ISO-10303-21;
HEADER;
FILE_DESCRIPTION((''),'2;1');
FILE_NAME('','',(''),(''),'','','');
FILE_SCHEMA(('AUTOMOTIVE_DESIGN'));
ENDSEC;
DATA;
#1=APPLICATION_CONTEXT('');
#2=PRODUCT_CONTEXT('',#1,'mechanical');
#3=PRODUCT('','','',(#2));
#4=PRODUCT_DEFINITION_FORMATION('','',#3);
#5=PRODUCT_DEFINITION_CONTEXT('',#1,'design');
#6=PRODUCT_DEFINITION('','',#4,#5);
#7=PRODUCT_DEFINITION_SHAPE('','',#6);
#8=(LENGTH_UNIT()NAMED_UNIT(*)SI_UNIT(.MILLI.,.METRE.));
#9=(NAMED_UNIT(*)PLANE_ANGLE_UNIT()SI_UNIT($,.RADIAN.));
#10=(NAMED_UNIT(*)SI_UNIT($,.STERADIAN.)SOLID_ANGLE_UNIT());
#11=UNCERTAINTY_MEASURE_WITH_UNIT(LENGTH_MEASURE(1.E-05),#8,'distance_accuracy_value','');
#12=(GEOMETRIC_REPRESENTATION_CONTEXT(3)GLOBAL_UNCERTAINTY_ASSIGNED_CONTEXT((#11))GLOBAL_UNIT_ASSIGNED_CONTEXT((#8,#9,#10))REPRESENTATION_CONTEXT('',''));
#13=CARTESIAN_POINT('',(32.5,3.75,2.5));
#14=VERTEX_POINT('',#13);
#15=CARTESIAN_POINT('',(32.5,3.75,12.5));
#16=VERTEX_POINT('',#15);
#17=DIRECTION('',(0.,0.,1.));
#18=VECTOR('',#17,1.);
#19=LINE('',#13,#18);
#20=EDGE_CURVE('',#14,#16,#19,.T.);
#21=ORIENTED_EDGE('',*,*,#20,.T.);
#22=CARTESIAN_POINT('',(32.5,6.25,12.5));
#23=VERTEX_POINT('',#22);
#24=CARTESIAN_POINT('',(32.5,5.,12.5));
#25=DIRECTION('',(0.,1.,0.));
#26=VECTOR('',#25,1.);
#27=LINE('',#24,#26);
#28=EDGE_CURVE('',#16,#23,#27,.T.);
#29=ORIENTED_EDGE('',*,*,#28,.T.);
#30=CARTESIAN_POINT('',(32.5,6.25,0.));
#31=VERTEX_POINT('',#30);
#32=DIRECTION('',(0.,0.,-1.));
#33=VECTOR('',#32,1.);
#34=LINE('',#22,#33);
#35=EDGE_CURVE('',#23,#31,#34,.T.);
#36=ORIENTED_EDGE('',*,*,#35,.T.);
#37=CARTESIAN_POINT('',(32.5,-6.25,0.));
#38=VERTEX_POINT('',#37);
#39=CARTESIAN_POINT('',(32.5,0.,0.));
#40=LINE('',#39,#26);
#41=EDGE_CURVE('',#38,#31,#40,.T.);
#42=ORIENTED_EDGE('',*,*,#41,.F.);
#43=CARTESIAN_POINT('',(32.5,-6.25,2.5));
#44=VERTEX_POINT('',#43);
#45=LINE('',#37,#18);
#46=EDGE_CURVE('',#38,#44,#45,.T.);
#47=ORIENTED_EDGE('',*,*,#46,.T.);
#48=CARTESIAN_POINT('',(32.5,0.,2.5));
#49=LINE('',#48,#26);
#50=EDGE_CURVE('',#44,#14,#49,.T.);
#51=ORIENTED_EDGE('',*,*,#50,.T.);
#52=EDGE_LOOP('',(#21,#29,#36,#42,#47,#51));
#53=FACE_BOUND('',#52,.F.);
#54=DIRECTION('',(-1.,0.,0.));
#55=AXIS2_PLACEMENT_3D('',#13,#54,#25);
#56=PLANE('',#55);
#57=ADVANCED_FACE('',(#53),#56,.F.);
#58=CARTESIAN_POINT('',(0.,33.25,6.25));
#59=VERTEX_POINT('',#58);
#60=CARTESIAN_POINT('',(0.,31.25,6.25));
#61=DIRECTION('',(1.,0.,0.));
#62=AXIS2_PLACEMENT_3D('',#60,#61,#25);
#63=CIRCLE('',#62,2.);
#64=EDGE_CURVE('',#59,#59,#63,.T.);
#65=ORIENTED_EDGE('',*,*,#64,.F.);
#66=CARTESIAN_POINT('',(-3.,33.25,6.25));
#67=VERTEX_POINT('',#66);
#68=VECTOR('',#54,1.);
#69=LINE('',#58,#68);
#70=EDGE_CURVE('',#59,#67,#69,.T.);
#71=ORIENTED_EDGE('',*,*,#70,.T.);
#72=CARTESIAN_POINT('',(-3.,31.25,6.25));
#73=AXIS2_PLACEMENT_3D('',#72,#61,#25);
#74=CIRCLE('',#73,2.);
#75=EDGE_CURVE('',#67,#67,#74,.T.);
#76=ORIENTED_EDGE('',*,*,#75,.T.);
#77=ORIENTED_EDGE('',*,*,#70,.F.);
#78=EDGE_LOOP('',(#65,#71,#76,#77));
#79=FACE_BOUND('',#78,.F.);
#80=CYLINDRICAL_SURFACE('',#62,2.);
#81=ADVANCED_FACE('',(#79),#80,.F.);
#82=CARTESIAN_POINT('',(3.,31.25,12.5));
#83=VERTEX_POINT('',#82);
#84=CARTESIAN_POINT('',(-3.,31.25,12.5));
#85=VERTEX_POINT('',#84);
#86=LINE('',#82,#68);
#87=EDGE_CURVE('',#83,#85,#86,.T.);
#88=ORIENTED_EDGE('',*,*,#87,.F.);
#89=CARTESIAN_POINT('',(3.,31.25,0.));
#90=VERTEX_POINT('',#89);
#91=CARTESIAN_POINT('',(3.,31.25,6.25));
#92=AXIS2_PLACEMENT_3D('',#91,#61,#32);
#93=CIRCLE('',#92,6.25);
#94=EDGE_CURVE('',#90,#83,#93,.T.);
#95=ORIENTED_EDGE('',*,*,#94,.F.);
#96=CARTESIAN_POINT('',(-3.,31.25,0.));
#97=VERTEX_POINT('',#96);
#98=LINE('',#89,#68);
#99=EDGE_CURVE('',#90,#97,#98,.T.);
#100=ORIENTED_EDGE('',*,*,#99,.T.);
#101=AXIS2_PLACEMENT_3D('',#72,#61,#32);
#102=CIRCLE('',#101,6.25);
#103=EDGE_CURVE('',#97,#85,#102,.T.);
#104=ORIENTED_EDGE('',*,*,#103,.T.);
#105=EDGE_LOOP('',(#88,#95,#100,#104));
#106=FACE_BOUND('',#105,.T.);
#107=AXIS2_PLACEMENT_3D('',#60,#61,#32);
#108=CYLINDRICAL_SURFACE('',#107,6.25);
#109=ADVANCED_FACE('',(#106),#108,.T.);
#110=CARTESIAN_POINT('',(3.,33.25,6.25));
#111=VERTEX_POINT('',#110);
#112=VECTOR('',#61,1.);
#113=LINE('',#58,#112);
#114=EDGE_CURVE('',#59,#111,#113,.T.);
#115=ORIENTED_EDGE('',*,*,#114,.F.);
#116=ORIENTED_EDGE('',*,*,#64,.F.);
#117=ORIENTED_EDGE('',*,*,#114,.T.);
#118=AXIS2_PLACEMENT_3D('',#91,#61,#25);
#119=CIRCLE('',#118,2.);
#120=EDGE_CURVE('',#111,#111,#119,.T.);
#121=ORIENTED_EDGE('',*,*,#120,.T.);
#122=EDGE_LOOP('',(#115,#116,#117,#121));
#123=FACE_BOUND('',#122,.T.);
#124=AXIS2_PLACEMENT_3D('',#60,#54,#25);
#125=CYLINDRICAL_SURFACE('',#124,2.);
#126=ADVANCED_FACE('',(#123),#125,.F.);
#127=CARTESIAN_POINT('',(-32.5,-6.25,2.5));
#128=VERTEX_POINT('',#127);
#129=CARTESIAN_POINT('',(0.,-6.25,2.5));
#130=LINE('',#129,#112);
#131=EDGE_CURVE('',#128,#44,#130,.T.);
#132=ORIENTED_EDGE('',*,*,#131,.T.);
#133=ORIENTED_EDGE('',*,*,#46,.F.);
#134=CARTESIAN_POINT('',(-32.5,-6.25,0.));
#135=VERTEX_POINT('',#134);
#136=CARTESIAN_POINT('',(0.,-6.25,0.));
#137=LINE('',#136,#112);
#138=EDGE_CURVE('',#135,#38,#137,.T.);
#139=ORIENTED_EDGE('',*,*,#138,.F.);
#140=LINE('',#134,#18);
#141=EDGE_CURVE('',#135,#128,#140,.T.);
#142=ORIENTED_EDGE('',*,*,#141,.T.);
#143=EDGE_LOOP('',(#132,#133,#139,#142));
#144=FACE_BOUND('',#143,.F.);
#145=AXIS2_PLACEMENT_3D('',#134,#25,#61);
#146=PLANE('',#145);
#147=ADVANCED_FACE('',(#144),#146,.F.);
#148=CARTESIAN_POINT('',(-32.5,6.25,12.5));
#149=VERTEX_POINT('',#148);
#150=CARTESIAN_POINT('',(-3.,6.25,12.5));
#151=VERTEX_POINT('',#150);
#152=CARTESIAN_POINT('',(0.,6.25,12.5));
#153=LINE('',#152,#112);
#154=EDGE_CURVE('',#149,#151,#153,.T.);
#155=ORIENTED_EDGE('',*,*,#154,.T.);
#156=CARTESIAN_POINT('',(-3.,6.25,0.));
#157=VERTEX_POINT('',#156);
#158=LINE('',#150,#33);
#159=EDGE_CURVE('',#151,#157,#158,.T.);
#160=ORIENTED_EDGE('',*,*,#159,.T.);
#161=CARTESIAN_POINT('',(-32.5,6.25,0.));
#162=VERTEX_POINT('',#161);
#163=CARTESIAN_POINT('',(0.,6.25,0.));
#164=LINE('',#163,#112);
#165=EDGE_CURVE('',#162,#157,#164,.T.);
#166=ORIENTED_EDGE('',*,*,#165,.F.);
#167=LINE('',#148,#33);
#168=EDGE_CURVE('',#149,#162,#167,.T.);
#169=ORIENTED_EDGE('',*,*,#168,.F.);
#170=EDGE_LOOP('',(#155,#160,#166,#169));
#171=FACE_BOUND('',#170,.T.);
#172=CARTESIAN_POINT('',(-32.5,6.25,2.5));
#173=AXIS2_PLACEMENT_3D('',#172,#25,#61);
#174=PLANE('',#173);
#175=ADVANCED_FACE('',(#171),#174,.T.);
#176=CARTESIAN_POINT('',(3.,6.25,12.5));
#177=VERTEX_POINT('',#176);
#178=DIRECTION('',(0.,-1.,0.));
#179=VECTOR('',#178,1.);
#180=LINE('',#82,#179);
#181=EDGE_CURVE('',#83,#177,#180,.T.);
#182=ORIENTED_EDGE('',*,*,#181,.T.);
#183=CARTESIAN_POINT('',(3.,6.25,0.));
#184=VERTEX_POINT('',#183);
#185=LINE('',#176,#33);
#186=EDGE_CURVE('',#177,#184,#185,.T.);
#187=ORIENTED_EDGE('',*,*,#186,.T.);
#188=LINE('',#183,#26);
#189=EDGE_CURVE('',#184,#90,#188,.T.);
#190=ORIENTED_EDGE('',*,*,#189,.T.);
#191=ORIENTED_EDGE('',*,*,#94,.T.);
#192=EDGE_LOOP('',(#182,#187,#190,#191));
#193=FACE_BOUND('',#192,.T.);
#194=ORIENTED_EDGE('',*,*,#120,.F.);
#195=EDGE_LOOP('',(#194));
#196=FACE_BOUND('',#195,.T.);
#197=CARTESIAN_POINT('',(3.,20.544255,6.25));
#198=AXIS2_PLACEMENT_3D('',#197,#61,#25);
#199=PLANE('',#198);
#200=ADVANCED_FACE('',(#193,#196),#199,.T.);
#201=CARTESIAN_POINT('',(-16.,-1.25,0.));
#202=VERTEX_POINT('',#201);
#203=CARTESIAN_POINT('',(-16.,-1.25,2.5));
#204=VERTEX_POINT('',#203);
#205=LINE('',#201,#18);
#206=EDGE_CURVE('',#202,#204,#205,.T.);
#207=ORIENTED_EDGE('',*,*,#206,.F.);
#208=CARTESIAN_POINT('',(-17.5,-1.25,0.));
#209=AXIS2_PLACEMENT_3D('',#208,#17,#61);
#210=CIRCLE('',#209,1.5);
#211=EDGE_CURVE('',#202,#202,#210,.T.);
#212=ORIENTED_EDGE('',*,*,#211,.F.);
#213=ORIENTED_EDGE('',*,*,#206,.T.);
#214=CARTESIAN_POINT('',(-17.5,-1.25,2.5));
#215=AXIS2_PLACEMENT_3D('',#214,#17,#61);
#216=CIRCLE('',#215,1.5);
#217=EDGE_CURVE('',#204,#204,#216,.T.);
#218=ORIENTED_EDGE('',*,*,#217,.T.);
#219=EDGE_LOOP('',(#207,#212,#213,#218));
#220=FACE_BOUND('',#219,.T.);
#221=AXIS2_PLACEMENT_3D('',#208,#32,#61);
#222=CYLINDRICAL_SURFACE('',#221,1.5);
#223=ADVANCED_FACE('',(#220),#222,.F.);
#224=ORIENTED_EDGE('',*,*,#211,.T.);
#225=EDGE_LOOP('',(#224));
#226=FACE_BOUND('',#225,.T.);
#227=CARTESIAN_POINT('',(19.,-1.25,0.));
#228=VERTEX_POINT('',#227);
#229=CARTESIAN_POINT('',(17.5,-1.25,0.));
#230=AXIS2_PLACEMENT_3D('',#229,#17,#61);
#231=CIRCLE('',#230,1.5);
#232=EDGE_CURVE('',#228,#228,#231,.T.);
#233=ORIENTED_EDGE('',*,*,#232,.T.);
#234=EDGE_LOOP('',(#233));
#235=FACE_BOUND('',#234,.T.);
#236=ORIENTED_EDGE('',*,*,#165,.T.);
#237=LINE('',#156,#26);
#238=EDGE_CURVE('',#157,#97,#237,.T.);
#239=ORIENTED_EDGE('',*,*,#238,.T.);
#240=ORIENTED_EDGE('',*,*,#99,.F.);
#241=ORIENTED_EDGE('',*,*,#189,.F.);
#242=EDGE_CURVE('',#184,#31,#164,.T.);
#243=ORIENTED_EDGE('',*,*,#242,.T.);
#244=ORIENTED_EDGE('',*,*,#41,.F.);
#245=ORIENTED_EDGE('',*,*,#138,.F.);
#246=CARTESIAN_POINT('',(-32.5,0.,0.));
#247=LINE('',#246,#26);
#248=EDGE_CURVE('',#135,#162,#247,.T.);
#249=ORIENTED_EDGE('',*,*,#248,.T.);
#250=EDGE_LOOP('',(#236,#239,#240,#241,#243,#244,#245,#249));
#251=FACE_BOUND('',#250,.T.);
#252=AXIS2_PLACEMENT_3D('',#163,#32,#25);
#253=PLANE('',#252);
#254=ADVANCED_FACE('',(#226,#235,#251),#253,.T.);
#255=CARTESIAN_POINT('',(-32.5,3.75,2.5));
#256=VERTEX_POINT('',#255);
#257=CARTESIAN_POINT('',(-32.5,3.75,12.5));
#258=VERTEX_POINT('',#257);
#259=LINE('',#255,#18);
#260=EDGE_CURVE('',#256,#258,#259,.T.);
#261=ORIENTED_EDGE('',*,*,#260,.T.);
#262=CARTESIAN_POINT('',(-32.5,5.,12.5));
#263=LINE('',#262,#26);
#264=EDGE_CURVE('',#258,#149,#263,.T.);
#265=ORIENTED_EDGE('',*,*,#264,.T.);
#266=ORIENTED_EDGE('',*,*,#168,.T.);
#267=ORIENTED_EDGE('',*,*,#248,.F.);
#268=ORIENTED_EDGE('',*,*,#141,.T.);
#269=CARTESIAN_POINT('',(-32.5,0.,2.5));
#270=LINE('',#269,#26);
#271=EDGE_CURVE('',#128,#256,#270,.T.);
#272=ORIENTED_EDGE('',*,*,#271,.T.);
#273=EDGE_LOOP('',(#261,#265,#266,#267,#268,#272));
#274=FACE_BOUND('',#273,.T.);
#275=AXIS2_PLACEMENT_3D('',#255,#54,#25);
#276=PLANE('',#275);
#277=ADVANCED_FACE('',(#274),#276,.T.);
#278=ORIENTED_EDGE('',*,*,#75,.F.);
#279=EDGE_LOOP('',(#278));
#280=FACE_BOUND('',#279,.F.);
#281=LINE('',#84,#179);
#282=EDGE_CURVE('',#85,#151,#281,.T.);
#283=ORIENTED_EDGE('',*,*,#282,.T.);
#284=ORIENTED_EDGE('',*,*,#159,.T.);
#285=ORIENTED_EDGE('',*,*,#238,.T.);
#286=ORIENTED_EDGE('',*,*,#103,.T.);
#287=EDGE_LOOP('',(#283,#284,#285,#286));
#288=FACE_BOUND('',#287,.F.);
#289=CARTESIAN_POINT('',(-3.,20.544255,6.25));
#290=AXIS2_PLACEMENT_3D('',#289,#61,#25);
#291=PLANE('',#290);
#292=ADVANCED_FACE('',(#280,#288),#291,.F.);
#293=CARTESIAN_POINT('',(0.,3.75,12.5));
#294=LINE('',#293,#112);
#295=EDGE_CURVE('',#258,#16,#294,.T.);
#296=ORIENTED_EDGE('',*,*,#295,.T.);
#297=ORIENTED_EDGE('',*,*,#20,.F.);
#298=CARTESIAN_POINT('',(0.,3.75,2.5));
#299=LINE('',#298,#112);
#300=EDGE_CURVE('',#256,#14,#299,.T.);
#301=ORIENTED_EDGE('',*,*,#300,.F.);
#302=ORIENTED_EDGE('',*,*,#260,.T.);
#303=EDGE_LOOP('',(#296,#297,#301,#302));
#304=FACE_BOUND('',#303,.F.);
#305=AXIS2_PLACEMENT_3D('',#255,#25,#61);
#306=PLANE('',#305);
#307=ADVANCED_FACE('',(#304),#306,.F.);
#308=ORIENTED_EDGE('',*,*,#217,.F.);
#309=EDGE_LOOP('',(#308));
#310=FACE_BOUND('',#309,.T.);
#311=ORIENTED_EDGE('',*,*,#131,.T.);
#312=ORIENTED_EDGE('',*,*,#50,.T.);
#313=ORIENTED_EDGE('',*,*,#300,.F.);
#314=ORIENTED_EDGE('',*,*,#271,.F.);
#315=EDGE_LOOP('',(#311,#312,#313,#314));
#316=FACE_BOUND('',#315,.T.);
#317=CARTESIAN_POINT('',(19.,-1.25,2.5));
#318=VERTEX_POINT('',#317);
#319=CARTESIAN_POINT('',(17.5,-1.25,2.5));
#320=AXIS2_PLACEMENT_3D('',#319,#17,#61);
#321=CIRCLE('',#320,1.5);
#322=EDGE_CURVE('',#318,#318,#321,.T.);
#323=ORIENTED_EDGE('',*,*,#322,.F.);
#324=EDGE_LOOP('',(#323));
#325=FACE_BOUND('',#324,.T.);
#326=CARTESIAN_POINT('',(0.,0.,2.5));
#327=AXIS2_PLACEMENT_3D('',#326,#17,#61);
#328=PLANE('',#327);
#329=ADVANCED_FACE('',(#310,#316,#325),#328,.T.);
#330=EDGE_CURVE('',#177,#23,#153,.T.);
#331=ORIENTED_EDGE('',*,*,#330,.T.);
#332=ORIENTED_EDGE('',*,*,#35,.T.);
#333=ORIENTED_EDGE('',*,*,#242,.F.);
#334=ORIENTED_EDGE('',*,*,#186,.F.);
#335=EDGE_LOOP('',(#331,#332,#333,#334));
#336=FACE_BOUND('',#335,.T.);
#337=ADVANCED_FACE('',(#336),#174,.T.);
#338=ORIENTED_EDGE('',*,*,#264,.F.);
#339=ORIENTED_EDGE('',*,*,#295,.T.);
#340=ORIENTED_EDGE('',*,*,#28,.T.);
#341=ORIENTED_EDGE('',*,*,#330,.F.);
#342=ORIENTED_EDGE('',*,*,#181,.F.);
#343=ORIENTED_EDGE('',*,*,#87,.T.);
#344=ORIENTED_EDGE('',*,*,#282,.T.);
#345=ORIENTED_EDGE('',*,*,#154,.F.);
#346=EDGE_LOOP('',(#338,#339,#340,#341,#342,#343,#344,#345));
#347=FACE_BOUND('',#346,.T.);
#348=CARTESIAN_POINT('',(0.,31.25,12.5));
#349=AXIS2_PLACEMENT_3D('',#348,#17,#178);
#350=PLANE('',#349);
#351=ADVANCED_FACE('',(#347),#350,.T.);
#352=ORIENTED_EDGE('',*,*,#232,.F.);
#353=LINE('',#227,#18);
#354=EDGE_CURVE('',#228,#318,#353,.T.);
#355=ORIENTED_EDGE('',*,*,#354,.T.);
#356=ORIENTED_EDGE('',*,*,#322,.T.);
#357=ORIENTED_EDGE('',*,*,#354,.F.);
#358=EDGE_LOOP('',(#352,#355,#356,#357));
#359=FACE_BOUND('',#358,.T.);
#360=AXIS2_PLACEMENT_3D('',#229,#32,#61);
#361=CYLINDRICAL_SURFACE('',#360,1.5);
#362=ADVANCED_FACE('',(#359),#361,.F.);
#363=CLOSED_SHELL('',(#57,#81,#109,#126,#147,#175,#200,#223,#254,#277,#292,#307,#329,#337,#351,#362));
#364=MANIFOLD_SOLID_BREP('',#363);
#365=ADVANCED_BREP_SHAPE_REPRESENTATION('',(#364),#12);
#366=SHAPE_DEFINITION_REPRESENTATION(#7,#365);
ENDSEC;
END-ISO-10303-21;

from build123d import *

# Parameters (mm, degrees)
F0_W          = 65
F0_H          = 12.5
F0_R          = 1.5
F1_DEPTH      = 2.5
F2_W          = 65
F2_H          = 2.5
F3_DEPTH      = 10
F4_R          = 2
F5_DEPTH      = 3
F5_DEPTH_BACK = 3


with BuildPart() as f1:
    # F0 (on Top) → F1 (new body)
    with BuildSketch(Plane.XY):
        Rectangle(F0_W, F0_H)
        with Locations((-17.5, -1.25)):
            Circle(F0_R, mode=Mode.SUBTRACT)
        with Locations((17.5, -1.25)):
            Circle(F0_R, mode=Mode.SUBTRACT)
    extrude(amount=F1_DEPTH)

    # F2 (on face) → F3 (join)
    with BuildSketch(Plane.XY.offset(2.5)):
        with Locations((0, 5)):
            Rectangle(F2_W, F2_H)
    extrude(amount=F3_DEPTH)

    # F4 (on Right) → F5 (join, two sides)
    with BuildSketch(Plane.YZ) as f5_sk:
        with BuildLine():
            Line((6.25, 12.5), (6.25, 0))
            Line((6.25, 0), (31.25, 0))
            ThreePointArc((31.25, 0), (37.5, 6.25), (31.25, 12.5))
            Line((31.25, 12.5), (6.25, 12.5))
        make_face()
        with Locations((31.25, 6.25)):
            Circle(F4_R, mode=Mode.SUBTRACT)
    extrude(amount=F5_DEPTH)
    extrude(f5_sk.sketch, amount=-F5_DEPTH_BACK)


solid = f1.part
